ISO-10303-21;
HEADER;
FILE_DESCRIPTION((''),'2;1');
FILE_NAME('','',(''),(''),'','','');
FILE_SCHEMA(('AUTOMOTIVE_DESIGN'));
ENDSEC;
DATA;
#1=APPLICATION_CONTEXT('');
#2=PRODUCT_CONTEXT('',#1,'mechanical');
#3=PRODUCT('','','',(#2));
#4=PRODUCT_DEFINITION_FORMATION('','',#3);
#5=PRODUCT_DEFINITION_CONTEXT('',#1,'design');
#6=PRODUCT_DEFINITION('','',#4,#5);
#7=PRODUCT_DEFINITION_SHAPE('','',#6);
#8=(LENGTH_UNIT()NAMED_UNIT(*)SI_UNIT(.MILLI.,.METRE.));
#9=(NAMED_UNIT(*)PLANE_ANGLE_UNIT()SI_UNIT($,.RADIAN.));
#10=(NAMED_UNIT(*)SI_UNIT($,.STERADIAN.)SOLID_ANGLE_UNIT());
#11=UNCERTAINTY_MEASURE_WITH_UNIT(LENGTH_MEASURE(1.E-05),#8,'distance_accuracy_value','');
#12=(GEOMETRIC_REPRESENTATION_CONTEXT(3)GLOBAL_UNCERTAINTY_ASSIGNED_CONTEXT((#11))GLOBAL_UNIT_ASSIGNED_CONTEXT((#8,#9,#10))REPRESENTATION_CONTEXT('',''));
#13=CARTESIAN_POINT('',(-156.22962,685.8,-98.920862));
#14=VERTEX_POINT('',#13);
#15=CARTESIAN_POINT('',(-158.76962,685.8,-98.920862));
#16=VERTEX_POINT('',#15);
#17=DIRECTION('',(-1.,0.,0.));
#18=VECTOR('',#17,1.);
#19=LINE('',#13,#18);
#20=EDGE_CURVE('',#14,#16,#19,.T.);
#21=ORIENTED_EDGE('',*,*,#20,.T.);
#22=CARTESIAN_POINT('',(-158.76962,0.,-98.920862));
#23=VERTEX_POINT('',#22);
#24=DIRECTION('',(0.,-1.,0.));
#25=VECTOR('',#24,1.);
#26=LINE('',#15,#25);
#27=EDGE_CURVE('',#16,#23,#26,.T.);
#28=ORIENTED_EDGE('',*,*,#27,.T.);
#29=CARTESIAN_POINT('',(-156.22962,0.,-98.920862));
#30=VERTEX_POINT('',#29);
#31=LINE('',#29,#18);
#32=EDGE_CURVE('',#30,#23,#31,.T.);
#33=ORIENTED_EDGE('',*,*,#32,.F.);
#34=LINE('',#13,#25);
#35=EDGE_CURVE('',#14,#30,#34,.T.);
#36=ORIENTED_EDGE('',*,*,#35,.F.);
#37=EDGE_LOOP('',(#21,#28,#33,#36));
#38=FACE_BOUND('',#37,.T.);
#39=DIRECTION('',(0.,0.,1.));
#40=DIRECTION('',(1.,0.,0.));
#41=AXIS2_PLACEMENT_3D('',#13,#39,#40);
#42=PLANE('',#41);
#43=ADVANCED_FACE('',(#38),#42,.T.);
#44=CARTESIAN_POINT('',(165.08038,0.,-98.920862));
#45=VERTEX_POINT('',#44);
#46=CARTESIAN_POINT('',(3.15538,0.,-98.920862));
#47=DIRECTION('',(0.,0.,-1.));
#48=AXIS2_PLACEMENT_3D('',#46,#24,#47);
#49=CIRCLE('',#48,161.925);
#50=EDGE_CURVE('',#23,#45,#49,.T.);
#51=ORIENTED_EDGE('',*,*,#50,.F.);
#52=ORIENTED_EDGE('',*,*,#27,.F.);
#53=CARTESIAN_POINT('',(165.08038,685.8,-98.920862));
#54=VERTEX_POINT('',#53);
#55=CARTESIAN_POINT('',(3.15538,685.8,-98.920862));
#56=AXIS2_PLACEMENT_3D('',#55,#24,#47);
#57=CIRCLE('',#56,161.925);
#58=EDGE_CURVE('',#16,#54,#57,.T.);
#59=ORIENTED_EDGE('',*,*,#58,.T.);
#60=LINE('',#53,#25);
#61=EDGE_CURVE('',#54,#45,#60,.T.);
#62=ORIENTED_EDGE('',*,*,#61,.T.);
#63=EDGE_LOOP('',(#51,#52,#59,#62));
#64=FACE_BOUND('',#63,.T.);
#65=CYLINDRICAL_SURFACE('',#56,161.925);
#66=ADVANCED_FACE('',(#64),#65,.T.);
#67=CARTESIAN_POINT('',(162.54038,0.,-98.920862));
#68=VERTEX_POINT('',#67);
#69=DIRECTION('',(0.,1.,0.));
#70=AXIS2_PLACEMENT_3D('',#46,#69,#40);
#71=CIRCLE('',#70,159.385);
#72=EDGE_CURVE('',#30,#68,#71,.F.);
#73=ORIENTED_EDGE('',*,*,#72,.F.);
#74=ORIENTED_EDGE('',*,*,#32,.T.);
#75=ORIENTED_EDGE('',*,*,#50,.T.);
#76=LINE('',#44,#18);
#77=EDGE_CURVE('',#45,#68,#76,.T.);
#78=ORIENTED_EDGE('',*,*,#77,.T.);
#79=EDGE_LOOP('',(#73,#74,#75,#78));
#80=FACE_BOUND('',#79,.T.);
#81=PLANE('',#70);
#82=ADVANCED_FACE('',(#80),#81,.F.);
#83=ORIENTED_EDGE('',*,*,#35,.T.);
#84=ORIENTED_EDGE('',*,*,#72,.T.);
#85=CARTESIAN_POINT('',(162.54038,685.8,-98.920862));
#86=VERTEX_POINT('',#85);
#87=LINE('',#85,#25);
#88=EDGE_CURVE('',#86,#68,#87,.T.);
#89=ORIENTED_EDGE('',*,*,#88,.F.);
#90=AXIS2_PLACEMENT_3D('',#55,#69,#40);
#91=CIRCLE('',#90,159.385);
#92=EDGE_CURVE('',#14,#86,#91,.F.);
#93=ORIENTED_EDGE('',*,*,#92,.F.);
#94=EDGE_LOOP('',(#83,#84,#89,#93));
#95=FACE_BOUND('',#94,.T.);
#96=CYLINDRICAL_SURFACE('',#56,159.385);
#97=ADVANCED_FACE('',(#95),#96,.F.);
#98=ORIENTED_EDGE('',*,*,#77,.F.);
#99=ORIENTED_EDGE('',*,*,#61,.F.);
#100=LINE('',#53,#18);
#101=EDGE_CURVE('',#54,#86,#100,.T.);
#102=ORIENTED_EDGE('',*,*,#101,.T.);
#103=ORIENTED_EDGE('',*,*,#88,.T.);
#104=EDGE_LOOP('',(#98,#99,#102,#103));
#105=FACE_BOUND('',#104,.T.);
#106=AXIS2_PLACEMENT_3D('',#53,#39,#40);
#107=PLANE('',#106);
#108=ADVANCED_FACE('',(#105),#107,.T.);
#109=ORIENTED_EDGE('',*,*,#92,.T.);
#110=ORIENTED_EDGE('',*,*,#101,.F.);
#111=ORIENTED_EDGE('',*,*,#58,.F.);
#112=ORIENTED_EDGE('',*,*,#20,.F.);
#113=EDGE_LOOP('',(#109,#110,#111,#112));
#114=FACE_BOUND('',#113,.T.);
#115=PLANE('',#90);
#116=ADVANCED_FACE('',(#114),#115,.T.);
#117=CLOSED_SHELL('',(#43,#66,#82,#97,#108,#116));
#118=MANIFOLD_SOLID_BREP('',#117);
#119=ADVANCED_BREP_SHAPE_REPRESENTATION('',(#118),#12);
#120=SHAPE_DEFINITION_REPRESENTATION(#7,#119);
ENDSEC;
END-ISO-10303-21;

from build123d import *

# Parameters (mm, degrees)
EXTRUDE_THIN1_DEPTH = 685.8


with BuildPart() as part:
    # Sketch1 → Extrude-Thin1 (new body)
    with BuildSketch(Plane(origin=(0, 0, 0), x_dir=(1, 0, 0), z_dir=(0, 1, 0))):
        with BuildLine():
            ThreePointArc((-158.769620285, 98.920861628), (3.155379715, 260.845861628), (165.080379715, 98.920861628))
            Line((165.080379715, 98.920861628), (162.540379715, 98.920861628))
            ThreePointArc((162.540379715, 98.920861628), (3.155379715, 258.305861628), (-156.229620285, 98.920861628))
            Line((-156.229620285, 98.920861628), (-158.769620285, 98.920861628))
        make_face()
    extrude(amount=EXTRUDE_THIN1_DEPTH)


solid = part.part
